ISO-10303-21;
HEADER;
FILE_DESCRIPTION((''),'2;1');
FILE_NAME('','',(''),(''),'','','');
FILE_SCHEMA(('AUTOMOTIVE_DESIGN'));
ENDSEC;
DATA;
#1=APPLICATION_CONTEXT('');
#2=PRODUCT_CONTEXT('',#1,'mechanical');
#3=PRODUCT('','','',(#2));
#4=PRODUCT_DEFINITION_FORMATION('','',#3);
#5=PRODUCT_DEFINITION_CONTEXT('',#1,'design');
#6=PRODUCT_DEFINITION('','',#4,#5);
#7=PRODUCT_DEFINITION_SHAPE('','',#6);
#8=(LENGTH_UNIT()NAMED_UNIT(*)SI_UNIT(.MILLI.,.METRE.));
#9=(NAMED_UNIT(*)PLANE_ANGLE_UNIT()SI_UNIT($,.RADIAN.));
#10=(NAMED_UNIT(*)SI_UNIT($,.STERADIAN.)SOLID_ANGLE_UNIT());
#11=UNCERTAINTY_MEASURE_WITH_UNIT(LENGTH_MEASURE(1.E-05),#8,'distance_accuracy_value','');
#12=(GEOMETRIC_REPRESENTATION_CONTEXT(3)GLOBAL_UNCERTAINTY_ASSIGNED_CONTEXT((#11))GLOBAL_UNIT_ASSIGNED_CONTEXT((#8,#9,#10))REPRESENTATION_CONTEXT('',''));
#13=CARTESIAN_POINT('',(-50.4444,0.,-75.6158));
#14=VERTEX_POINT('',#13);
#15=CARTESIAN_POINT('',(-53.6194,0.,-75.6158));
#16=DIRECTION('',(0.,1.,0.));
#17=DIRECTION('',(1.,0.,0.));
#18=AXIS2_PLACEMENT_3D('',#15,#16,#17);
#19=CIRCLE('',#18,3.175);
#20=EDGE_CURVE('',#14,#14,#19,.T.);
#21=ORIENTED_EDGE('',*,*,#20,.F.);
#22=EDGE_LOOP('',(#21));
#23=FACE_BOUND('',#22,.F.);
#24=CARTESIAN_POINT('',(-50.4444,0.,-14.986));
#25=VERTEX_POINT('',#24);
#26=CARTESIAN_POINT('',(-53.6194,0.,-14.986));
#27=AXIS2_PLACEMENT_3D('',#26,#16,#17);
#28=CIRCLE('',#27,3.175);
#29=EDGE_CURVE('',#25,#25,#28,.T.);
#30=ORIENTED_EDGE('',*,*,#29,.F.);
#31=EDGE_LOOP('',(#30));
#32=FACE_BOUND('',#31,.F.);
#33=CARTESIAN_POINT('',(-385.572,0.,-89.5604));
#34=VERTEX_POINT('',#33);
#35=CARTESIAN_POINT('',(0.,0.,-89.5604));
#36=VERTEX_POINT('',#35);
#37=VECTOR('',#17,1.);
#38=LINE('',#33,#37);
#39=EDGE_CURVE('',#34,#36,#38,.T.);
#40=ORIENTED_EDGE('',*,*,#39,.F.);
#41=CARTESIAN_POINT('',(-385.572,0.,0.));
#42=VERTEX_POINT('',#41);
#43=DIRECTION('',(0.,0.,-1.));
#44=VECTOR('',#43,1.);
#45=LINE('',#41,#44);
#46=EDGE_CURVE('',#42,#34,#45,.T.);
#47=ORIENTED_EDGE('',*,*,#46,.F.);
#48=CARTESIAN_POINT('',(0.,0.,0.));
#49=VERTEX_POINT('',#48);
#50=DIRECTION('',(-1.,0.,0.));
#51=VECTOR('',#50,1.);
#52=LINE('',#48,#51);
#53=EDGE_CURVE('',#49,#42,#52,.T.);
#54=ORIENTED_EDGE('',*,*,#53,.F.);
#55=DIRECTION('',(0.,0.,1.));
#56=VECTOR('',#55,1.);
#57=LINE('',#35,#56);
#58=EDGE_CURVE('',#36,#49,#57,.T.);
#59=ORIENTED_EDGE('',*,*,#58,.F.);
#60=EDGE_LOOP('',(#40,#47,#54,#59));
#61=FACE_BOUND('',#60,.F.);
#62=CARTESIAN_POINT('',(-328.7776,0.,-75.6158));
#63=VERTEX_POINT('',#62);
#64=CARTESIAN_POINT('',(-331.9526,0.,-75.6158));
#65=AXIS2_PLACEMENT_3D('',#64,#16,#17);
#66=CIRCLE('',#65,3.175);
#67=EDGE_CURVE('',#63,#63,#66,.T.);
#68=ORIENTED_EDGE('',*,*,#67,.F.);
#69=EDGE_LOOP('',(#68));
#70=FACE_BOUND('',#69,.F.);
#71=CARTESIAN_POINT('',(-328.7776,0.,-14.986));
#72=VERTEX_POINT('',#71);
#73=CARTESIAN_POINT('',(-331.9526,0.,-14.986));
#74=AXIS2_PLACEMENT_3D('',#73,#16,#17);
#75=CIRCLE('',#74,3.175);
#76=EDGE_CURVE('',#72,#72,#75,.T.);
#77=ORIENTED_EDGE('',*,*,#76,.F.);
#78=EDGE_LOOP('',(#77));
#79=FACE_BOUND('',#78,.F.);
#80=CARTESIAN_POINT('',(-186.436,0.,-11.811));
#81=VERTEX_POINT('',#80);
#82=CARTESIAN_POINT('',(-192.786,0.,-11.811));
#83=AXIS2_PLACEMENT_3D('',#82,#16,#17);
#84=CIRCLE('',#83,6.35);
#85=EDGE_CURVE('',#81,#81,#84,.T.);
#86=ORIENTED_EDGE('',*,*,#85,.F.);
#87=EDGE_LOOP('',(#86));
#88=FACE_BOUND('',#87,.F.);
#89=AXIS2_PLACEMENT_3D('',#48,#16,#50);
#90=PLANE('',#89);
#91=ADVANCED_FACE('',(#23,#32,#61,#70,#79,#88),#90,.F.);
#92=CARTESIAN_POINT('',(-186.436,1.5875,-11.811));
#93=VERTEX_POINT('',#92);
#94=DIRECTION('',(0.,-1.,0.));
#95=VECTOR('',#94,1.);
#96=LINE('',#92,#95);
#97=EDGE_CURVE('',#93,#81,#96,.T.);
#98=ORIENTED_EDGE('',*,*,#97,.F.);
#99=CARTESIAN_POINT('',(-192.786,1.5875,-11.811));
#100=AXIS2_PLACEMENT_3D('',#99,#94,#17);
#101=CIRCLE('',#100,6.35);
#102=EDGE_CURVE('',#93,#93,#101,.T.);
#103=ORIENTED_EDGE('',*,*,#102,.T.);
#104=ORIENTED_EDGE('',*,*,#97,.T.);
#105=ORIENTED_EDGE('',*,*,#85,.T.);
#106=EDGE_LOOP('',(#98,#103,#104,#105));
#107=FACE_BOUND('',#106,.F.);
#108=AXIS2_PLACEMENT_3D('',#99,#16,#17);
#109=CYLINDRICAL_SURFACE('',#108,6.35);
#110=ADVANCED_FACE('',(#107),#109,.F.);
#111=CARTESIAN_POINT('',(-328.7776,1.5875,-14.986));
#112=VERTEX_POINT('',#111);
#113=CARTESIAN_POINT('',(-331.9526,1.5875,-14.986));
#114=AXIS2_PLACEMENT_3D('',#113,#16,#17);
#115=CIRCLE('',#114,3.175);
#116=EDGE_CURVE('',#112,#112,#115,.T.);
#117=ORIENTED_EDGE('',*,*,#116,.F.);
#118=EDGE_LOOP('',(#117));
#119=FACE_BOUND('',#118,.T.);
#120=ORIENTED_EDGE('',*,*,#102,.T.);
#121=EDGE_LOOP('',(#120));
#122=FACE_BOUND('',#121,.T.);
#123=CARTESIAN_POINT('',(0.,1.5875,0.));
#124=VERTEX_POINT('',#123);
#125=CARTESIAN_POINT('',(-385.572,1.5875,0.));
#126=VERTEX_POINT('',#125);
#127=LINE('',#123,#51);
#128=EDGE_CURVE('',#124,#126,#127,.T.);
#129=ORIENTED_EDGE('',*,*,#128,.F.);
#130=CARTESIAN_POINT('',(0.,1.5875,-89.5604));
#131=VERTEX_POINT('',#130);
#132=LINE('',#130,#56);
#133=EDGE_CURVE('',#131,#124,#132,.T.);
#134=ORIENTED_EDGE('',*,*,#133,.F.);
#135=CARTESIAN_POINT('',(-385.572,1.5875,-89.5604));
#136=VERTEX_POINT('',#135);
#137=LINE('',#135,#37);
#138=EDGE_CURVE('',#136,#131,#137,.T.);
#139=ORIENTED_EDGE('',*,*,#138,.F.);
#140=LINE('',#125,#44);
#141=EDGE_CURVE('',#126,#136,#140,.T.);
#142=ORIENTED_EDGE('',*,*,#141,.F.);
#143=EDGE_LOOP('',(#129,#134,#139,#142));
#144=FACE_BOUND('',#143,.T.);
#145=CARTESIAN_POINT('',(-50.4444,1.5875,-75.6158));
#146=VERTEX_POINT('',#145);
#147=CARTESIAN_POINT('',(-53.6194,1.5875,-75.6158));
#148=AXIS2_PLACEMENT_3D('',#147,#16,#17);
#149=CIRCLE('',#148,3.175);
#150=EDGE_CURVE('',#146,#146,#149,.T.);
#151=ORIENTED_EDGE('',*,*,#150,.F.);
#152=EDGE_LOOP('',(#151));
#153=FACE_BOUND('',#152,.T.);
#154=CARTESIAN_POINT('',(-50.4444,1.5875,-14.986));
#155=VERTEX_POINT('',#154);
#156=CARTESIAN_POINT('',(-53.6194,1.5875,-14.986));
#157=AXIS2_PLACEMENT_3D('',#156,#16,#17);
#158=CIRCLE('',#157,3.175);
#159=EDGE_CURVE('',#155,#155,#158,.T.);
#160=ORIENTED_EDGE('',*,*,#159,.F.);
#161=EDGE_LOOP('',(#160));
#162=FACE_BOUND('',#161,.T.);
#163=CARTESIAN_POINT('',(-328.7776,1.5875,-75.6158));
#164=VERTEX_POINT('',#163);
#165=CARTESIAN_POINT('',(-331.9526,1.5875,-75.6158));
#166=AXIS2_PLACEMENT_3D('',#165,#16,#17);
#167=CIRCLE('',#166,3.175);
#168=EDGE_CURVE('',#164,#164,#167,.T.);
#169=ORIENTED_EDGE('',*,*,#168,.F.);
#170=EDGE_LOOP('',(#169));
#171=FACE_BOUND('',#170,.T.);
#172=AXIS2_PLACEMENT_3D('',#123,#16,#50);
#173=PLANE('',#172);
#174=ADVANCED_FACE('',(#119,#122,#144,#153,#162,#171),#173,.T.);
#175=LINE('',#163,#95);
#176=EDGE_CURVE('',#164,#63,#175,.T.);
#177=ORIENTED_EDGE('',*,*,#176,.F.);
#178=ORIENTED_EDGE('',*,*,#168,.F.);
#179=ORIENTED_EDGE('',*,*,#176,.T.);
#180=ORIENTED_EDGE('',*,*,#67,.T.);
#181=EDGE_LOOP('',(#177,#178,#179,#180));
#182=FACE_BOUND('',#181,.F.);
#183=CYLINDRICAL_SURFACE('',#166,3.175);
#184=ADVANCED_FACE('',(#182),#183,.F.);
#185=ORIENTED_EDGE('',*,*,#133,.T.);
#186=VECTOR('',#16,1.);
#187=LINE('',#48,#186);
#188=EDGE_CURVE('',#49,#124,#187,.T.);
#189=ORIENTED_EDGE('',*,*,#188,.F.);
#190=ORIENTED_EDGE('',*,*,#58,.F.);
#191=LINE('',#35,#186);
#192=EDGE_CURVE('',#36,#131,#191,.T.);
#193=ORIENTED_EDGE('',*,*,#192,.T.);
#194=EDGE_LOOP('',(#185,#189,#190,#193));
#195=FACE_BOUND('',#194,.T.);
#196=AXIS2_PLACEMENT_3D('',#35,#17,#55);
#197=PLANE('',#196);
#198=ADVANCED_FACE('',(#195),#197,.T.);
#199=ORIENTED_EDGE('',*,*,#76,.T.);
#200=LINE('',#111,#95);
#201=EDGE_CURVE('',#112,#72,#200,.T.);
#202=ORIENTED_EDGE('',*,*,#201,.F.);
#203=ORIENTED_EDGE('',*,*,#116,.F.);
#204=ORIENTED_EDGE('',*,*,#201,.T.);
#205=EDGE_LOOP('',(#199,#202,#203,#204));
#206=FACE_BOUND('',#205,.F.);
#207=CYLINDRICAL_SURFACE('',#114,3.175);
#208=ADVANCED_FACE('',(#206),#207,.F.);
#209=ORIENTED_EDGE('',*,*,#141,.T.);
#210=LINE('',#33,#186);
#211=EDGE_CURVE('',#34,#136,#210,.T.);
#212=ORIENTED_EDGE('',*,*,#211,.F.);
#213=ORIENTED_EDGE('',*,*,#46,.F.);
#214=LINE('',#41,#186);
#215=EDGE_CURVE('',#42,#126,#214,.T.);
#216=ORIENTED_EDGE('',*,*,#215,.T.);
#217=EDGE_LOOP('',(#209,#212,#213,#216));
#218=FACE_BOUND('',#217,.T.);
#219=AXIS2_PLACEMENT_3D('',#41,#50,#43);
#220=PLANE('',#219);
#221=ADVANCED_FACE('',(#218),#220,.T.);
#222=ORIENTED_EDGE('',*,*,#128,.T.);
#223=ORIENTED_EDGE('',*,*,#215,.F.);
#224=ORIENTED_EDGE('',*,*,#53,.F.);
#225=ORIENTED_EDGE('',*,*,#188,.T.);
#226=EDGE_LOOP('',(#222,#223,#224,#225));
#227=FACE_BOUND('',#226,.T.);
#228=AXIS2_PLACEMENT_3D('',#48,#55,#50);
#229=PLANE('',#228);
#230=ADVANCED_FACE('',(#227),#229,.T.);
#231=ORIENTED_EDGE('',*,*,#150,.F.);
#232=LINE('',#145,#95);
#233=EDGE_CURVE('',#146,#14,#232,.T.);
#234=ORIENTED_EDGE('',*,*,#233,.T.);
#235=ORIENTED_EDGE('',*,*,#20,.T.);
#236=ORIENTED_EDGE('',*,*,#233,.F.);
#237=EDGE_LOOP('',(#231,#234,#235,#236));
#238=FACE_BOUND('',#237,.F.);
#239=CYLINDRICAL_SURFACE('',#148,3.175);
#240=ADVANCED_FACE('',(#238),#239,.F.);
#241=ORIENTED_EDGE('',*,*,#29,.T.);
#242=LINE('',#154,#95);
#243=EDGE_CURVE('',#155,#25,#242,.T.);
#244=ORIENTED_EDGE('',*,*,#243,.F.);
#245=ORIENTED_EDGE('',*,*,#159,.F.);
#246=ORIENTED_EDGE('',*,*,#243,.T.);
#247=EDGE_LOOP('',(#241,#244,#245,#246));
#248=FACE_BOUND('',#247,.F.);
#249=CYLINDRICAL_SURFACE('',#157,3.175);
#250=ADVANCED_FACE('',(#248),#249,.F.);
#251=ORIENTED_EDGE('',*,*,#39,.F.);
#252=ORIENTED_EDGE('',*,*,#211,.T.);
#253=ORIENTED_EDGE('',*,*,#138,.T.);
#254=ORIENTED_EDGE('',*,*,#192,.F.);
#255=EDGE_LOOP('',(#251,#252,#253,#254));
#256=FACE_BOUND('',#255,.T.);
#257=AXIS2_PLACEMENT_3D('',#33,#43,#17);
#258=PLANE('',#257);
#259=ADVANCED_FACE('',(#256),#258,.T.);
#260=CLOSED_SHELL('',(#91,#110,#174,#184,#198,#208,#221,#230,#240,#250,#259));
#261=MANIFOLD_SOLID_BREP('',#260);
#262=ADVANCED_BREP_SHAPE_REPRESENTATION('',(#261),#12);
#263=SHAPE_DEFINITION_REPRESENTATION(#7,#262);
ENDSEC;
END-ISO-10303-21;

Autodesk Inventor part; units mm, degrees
ref_plane "YZ Plane" through (0, 0, 0) normal (1, 0, 0) x (0, 1, 0)
ref_plane "XZ Plane" through (0, 0, 0) normal (0, 1, 0) x (-1, 0, 0)
ref_plane "XY Plane" through (0, 0, 0) normal (0, 0, 1) x (1, 0, 0)
sketch "Sketch1" plane through (0, 0, 0) normal (0, 1, 0) x (-1, 0, 0)
  line L0 (0, 0) -> (385.572, 0)
  line L1 (385.572, 0) -> (385.572, -89.5604)
  line L2 (385.572, -89.5604) -> (0, -89.5604)
  line L3 (0, -89.5604) -> (0, 0)
  dimension "d0" = 385.572
  dimension "d1" = 89.5604
extrude "Extrusion1" add sketch "Sketch1" along normal blind 1.5875
sketch "Sketch2" plane through (0, 1.5875, 0) normal (0, 1, 0) x (1, 0, 0)
  line L0 (0, 0) -> (0, 89.5604) projected
  line L1 (-385.572, 0) -> (0, 0) projected
  line L2 (-192.786, 0) -> (-192.786, 32.4011)
  line L3 (-385.572, 89.5604) -> (-385.572, 0) projected
  line L4 (0, 89.5604) -> (-385.572, 89.5604) projected
  line L5 (-331.9526, 89.5604) -> (-318.008, 89.5604) construction
  circle A0 centre (-331.9526, 75.6158) radius 3.175
  circle A1 centre (-331.9526, 14.986) radius 3.175
  circle A2 centre (-53.6194, 75.6158) radius 3.175
  circle A3 centre (-53.6194, 14.986) radius 3.175
  circle A4 centre (-192.786, 11.811) radius 6.35
extrude "Extrusion2" cut sketch "Sketch2" against normal blind 6.35 contours A4 L2 | L2 A4 | A0 | A1 | A2 | A3
equation "\"d7\" = d6"
equation "\"d6\" = 6.35"
properties part number "shortsidepanel"
